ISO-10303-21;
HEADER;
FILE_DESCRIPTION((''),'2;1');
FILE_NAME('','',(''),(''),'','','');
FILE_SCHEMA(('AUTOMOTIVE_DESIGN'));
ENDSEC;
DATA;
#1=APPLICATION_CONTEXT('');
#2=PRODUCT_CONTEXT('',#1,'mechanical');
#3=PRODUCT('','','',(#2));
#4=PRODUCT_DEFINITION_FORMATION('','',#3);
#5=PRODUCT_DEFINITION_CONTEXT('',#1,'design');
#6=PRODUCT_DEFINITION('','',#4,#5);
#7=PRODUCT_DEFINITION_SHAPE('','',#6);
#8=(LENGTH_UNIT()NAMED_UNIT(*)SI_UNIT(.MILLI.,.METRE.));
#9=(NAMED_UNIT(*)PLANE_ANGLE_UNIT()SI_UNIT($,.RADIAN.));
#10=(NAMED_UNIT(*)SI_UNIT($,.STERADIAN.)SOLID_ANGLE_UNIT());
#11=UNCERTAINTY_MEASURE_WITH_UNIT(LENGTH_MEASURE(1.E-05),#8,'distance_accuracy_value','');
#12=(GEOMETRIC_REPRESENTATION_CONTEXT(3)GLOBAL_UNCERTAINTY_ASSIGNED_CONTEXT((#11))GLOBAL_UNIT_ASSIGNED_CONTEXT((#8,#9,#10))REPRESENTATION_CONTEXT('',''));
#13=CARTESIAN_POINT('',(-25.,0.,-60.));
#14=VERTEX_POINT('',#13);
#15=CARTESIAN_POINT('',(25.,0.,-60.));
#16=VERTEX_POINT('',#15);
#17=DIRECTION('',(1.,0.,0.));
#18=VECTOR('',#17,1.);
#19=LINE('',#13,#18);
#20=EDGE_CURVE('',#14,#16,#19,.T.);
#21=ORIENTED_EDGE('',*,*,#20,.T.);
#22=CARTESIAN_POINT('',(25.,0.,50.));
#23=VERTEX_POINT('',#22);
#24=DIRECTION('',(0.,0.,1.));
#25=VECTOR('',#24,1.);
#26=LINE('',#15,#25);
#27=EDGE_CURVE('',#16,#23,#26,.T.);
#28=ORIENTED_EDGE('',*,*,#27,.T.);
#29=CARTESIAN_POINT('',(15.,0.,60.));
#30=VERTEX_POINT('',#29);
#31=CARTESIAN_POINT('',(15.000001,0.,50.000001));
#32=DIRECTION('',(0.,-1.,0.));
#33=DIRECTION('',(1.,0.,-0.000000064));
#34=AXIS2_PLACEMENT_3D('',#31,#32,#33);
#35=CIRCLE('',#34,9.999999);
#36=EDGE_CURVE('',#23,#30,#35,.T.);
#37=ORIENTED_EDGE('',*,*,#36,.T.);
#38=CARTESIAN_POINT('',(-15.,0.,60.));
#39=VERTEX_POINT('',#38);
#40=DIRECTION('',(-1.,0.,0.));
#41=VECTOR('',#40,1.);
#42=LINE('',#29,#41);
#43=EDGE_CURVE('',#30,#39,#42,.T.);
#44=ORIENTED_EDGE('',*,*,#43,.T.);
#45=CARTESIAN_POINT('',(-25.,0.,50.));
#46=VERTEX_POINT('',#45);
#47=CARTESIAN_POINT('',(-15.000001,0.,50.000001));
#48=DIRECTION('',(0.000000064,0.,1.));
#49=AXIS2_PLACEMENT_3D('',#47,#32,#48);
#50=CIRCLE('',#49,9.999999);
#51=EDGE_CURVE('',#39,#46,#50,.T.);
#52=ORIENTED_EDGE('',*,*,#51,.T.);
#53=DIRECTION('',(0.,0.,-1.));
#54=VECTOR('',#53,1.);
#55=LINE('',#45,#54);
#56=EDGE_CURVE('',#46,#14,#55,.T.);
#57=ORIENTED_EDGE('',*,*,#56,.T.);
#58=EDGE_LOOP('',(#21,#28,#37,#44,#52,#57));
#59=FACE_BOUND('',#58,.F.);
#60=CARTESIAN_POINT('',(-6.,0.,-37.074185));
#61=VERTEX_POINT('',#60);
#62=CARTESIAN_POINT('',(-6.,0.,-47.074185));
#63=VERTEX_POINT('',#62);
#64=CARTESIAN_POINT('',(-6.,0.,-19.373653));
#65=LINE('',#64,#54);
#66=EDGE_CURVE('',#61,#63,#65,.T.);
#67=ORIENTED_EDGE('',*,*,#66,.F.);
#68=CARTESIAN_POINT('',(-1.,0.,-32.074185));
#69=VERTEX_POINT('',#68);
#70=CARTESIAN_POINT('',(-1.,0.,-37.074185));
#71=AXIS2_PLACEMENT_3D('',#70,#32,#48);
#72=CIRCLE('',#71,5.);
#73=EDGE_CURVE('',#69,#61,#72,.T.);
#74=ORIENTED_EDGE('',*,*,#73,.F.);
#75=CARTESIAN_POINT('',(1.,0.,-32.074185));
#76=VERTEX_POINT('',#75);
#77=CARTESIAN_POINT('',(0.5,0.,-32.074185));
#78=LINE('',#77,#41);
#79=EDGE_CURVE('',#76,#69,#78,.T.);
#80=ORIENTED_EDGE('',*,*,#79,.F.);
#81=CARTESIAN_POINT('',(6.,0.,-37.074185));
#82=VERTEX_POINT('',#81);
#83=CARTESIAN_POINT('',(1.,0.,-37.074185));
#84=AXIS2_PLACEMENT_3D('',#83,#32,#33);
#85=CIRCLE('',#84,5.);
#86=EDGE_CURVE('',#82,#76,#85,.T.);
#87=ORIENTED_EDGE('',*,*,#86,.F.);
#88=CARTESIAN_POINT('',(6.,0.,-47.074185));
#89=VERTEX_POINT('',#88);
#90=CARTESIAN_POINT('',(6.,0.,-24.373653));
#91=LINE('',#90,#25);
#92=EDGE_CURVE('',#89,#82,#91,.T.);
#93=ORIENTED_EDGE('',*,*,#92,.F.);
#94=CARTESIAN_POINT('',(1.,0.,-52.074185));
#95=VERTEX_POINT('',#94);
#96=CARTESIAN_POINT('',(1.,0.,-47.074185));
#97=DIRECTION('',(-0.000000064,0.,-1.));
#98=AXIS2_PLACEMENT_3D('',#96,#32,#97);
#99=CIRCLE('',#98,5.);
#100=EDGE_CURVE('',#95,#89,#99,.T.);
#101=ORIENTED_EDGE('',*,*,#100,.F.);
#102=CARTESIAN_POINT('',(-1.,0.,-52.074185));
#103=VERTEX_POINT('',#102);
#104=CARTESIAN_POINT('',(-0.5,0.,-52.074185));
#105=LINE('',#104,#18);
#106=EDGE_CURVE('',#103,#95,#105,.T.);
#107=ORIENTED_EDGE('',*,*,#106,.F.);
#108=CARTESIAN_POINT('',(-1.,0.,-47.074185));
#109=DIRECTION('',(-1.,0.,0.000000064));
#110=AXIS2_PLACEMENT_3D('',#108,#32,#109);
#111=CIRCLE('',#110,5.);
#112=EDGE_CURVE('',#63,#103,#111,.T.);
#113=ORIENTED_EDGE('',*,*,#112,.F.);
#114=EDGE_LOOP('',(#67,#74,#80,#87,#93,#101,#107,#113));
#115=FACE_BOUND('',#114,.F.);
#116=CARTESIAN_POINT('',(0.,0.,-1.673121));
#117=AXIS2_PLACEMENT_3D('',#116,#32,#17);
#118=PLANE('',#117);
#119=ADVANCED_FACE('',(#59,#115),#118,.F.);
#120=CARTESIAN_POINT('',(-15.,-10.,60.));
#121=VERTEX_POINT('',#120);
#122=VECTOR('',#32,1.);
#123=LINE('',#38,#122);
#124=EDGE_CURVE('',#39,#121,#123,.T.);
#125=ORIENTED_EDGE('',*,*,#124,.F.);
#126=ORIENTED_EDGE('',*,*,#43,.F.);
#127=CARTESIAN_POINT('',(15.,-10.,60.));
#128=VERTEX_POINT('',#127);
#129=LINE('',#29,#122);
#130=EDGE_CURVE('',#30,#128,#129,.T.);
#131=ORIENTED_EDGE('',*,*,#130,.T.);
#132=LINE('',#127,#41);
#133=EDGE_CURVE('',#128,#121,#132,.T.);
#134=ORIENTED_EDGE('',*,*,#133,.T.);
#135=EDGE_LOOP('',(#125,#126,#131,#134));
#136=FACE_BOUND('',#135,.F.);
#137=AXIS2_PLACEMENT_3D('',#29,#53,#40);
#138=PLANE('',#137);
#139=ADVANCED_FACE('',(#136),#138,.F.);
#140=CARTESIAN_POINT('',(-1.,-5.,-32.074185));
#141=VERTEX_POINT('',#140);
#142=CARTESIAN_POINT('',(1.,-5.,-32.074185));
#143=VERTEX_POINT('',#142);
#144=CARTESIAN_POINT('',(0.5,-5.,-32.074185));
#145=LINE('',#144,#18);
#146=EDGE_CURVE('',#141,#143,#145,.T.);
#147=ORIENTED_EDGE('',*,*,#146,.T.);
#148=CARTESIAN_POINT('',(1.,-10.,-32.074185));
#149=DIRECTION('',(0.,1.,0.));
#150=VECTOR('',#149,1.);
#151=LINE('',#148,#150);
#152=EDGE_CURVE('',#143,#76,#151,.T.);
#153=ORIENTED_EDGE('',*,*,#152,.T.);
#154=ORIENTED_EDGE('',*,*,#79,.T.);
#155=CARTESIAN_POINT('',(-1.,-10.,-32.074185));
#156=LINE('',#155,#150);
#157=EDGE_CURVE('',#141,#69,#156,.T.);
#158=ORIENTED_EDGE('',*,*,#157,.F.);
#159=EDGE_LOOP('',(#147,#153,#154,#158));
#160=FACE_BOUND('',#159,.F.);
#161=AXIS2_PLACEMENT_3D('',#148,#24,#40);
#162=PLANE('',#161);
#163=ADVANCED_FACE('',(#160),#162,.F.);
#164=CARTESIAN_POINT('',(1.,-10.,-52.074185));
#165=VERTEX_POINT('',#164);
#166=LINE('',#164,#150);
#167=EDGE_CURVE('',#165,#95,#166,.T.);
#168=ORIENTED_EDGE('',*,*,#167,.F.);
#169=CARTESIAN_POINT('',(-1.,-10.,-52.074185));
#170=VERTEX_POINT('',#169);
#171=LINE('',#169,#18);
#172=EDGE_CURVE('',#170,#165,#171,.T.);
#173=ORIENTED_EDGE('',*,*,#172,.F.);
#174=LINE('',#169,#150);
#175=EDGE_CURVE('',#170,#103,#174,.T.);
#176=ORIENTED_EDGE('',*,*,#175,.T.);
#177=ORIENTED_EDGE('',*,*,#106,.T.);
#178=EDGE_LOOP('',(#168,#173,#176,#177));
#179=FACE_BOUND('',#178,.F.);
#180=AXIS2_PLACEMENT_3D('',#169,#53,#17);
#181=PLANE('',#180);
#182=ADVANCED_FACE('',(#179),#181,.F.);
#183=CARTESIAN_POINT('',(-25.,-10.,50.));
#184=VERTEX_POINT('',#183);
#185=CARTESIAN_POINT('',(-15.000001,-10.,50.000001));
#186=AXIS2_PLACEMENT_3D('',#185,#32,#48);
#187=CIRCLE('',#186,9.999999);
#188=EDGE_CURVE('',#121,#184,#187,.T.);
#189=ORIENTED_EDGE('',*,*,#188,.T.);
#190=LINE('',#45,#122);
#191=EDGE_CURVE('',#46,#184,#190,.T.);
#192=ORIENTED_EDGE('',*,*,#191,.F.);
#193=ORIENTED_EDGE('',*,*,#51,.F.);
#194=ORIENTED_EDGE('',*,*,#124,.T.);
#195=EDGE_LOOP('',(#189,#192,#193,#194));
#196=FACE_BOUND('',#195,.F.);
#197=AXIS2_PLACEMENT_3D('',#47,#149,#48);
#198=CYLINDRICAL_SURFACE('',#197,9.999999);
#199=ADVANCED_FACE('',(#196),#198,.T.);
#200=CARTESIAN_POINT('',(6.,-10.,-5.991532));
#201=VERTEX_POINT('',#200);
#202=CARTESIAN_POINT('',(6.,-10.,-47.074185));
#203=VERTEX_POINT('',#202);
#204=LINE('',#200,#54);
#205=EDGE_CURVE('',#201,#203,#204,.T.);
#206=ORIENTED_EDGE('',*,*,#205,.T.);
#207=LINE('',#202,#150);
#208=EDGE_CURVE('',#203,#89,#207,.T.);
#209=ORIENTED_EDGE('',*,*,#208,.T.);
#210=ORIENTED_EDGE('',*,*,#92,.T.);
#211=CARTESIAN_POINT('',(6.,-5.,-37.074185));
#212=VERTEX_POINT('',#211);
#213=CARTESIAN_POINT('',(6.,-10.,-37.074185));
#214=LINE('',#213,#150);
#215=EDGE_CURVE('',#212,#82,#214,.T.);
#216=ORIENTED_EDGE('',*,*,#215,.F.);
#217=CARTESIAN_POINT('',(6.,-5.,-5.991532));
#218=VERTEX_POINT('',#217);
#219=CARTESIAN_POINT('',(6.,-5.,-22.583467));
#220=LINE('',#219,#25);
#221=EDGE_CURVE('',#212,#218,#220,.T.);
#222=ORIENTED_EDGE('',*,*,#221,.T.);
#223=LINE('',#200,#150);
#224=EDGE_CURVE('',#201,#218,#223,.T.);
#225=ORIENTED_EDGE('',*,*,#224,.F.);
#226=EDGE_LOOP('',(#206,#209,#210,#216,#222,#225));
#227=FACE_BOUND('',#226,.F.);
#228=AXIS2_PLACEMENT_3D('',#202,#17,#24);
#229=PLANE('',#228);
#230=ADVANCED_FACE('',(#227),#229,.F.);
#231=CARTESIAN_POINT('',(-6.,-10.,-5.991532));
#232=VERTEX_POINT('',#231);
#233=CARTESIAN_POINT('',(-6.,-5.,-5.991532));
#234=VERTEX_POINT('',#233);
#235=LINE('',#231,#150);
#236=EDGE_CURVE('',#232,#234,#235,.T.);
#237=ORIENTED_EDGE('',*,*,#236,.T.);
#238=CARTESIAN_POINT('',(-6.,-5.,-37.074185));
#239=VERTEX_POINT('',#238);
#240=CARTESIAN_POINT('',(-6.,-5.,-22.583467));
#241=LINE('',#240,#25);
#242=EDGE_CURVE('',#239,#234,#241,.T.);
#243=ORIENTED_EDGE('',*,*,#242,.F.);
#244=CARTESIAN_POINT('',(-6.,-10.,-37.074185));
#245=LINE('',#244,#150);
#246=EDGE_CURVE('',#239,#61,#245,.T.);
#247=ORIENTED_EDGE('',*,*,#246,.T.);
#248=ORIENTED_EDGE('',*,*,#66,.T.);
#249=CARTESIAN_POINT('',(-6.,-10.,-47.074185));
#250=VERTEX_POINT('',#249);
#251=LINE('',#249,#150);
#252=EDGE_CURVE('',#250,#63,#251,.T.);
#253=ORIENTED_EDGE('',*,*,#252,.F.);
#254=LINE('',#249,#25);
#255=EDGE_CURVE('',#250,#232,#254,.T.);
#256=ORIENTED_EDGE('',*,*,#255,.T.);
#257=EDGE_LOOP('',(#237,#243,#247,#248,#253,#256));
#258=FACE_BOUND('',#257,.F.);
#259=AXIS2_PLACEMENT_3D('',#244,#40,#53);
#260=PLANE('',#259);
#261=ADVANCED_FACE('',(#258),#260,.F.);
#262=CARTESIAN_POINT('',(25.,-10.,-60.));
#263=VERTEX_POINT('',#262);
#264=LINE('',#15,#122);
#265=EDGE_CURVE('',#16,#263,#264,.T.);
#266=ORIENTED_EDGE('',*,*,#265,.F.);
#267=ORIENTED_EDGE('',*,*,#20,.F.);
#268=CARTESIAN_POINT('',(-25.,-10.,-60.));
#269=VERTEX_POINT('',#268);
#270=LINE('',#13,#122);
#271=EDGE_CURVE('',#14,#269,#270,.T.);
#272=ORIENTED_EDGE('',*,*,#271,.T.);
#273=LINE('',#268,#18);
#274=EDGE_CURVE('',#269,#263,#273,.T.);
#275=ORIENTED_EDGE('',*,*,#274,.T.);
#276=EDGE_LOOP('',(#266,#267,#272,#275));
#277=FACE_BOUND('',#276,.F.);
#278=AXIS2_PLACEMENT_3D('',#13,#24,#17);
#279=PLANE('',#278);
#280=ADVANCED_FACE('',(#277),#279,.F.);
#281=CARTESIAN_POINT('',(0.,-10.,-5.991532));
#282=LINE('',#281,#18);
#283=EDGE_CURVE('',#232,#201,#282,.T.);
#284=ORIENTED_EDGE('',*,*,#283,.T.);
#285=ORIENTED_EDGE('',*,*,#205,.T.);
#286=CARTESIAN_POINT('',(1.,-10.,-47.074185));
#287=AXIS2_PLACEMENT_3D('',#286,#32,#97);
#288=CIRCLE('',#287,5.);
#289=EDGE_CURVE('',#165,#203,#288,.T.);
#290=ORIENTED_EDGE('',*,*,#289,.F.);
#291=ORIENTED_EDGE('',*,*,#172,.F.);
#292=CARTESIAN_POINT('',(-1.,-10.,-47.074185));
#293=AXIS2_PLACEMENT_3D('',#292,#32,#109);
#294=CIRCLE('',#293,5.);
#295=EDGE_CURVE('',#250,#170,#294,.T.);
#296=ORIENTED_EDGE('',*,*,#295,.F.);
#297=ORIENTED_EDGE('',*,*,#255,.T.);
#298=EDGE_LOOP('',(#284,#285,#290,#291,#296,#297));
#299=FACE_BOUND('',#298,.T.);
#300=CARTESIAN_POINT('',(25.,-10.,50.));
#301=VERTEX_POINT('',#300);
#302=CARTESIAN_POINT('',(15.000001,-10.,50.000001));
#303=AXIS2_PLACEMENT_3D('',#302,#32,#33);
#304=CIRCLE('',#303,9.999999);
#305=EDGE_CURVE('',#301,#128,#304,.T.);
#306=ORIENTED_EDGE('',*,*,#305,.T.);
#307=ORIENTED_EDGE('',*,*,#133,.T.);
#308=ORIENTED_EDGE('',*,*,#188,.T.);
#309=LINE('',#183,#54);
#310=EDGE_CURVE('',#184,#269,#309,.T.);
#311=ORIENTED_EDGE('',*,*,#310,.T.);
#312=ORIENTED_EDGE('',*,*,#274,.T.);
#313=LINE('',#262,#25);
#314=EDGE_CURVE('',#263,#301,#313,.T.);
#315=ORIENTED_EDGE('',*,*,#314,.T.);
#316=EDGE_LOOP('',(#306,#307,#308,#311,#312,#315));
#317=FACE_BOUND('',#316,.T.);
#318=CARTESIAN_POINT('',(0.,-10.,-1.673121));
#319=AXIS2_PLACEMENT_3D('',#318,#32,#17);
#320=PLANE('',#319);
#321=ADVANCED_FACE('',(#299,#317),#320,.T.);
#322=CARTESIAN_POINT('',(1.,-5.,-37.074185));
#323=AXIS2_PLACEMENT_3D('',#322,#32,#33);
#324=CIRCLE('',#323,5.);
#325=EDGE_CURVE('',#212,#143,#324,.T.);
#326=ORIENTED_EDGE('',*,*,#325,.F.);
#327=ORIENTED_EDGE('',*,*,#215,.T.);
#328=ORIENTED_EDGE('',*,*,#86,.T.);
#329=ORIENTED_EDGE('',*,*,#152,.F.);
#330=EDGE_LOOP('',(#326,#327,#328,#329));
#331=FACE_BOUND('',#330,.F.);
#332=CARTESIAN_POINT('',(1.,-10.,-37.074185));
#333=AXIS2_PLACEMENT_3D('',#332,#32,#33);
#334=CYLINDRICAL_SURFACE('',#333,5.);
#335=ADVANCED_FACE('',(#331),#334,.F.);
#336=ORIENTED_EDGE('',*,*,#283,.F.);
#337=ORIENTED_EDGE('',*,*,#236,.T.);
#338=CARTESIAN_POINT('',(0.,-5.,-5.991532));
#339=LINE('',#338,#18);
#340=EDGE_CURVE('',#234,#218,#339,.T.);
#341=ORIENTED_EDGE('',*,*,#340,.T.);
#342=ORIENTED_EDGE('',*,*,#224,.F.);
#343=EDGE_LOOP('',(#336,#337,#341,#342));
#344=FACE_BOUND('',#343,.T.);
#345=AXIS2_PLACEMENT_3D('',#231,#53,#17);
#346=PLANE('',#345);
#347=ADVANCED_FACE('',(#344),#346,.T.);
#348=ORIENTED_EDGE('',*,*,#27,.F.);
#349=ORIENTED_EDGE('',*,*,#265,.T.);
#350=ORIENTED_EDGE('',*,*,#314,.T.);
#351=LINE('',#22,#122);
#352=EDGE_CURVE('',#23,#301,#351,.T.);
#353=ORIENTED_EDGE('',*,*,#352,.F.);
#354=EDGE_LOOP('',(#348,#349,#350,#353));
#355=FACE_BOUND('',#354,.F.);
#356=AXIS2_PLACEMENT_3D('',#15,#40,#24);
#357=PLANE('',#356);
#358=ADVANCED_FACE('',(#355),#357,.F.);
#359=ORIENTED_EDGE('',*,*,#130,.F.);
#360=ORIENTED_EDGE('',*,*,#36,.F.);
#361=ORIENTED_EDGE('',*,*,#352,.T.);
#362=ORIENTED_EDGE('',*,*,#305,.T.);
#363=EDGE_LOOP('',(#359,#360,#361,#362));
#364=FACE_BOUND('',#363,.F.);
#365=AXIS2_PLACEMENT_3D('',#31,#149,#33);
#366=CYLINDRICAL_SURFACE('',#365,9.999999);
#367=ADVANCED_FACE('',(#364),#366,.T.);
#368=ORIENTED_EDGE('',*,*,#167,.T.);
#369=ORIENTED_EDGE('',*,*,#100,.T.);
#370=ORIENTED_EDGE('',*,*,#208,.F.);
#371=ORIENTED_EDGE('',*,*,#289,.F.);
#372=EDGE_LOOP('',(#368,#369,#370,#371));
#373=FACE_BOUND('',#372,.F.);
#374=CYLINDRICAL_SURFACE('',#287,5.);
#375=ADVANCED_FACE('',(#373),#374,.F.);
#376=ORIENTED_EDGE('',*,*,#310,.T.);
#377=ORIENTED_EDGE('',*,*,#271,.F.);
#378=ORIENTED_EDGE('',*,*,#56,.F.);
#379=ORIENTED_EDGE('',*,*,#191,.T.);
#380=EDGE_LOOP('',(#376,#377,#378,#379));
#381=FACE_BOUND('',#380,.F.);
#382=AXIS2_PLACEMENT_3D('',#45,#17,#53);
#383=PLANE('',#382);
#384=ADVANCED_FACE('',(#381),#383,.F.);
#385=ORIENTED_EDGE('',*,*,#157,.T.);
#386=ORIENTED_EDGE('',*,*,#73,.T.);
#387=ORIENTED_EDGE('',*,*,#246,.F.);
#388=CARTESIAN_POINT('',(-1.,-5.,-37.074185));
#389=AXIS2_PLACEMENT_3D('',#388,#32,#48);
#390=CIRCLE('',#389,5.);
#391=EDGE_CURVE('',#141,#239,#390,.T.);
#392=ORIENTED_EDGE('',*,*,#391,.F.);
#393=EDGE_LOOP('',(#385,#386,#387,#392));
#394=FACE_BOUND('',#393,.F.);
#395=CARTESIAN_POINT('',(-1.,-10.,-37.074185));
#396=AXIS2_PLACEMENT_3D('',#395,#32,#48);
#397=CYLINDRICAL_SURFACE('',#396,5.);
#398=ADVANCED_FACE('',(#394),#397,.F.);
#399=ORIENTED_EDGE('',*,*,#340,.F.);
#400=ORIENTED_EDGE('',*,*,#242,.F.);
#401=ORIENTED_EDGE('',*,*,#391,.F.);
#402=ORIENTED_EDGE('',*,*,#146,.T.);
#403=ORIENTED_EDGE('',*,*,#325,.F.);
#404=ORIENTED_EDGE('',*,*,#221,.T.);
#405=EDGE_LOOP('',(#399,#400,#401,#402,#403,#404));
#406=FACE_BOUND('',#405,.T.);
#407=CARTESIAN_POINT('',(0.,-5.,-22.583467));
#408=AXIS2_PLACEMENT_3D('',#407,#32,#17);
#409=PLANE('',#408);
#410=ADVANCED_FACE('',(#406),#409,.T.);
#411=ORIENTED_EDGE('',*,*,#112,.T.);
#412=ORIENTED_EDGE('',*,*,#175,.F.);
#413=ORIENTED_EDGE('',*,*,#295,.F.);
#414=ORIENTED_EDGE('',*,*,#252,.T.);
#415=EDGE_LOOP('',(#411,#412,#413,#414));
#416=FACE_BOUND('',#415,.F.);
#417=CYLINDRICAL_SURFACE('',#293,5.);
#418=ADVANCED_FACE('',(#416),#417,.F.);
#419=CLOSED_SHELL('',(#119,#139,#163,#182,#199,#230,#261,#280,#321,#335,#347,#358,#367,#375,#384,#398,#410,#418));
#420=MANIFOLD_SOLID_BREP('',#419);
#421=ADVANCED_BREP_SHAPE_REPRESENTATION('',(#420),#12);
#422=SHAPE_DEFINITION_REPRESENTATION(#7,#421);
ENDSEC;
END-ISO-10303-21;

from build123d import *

# Parameters (mm, degrees)
F1_DEPTH = 10
F3_DEPTH = 11
F4_W     = 12
F4_H     = 33.18387
F5_DEPTH = 5


with BuildPart() as f1:
    # F0 (on Front) → F1 (new body)
    with BuildSketch(Plane.XZ):
        with BuildLine():
            ThreePointArc((25, 50), (22.071068, 57.071068), (15, 60))
            Line((15, 60), (-15, 60))
            ThreePointArc((-15, 60), (-22.071068, 57.071068), (-25, 50))
            Line((-25, 50), (-25, -60))
            Line((-25, -60), (25, -60))
            Line((25, -60), (25, 50))
        make_face()
    extrude(amount=F1_DEPTH)

    # F2 (on face) → F3 (cut)
    with BuildSketch(Plane.XZ.offset(10)):
        with BuildLine():
            Line((1, -32.074185), (-1, -32.074185))
            ThreePointArc((-1, -32.074185), (-4.535534, -33.538651), (-6, -37.074185))
            Line((-6, -37.074185), (-6, -47.074185))
            ThreePointArc((-6, -47.074185), (-4.535534, -50.609719), (-1, -52.074185))
            Line((-1, -52.074185), (1, -52.074185))
            ThreePointArc((1, -52.074185), (4.535534, -50.609719), (6, -47.074185))
            Line((6, -47.074185), (6, -37.074185))
            ThreePointArc((6, -37.074185), (4.535534, -33.538651), (1, -32.074185))
        make_face()
    extrude(amount=-F3_DEPTH, mode=Mode.SUBTRACT)

    # F4 (on face) → F5 (cut)
    with BuildSketch(Plane.XZ.offset(10)):
        with Locations((0, -22.583467)):
            Rectangle(F4_W, F4_H)
    extrude(amount=-F5_DEPTH, mode=Mode.SUBTRACT)


solid = f1.part
